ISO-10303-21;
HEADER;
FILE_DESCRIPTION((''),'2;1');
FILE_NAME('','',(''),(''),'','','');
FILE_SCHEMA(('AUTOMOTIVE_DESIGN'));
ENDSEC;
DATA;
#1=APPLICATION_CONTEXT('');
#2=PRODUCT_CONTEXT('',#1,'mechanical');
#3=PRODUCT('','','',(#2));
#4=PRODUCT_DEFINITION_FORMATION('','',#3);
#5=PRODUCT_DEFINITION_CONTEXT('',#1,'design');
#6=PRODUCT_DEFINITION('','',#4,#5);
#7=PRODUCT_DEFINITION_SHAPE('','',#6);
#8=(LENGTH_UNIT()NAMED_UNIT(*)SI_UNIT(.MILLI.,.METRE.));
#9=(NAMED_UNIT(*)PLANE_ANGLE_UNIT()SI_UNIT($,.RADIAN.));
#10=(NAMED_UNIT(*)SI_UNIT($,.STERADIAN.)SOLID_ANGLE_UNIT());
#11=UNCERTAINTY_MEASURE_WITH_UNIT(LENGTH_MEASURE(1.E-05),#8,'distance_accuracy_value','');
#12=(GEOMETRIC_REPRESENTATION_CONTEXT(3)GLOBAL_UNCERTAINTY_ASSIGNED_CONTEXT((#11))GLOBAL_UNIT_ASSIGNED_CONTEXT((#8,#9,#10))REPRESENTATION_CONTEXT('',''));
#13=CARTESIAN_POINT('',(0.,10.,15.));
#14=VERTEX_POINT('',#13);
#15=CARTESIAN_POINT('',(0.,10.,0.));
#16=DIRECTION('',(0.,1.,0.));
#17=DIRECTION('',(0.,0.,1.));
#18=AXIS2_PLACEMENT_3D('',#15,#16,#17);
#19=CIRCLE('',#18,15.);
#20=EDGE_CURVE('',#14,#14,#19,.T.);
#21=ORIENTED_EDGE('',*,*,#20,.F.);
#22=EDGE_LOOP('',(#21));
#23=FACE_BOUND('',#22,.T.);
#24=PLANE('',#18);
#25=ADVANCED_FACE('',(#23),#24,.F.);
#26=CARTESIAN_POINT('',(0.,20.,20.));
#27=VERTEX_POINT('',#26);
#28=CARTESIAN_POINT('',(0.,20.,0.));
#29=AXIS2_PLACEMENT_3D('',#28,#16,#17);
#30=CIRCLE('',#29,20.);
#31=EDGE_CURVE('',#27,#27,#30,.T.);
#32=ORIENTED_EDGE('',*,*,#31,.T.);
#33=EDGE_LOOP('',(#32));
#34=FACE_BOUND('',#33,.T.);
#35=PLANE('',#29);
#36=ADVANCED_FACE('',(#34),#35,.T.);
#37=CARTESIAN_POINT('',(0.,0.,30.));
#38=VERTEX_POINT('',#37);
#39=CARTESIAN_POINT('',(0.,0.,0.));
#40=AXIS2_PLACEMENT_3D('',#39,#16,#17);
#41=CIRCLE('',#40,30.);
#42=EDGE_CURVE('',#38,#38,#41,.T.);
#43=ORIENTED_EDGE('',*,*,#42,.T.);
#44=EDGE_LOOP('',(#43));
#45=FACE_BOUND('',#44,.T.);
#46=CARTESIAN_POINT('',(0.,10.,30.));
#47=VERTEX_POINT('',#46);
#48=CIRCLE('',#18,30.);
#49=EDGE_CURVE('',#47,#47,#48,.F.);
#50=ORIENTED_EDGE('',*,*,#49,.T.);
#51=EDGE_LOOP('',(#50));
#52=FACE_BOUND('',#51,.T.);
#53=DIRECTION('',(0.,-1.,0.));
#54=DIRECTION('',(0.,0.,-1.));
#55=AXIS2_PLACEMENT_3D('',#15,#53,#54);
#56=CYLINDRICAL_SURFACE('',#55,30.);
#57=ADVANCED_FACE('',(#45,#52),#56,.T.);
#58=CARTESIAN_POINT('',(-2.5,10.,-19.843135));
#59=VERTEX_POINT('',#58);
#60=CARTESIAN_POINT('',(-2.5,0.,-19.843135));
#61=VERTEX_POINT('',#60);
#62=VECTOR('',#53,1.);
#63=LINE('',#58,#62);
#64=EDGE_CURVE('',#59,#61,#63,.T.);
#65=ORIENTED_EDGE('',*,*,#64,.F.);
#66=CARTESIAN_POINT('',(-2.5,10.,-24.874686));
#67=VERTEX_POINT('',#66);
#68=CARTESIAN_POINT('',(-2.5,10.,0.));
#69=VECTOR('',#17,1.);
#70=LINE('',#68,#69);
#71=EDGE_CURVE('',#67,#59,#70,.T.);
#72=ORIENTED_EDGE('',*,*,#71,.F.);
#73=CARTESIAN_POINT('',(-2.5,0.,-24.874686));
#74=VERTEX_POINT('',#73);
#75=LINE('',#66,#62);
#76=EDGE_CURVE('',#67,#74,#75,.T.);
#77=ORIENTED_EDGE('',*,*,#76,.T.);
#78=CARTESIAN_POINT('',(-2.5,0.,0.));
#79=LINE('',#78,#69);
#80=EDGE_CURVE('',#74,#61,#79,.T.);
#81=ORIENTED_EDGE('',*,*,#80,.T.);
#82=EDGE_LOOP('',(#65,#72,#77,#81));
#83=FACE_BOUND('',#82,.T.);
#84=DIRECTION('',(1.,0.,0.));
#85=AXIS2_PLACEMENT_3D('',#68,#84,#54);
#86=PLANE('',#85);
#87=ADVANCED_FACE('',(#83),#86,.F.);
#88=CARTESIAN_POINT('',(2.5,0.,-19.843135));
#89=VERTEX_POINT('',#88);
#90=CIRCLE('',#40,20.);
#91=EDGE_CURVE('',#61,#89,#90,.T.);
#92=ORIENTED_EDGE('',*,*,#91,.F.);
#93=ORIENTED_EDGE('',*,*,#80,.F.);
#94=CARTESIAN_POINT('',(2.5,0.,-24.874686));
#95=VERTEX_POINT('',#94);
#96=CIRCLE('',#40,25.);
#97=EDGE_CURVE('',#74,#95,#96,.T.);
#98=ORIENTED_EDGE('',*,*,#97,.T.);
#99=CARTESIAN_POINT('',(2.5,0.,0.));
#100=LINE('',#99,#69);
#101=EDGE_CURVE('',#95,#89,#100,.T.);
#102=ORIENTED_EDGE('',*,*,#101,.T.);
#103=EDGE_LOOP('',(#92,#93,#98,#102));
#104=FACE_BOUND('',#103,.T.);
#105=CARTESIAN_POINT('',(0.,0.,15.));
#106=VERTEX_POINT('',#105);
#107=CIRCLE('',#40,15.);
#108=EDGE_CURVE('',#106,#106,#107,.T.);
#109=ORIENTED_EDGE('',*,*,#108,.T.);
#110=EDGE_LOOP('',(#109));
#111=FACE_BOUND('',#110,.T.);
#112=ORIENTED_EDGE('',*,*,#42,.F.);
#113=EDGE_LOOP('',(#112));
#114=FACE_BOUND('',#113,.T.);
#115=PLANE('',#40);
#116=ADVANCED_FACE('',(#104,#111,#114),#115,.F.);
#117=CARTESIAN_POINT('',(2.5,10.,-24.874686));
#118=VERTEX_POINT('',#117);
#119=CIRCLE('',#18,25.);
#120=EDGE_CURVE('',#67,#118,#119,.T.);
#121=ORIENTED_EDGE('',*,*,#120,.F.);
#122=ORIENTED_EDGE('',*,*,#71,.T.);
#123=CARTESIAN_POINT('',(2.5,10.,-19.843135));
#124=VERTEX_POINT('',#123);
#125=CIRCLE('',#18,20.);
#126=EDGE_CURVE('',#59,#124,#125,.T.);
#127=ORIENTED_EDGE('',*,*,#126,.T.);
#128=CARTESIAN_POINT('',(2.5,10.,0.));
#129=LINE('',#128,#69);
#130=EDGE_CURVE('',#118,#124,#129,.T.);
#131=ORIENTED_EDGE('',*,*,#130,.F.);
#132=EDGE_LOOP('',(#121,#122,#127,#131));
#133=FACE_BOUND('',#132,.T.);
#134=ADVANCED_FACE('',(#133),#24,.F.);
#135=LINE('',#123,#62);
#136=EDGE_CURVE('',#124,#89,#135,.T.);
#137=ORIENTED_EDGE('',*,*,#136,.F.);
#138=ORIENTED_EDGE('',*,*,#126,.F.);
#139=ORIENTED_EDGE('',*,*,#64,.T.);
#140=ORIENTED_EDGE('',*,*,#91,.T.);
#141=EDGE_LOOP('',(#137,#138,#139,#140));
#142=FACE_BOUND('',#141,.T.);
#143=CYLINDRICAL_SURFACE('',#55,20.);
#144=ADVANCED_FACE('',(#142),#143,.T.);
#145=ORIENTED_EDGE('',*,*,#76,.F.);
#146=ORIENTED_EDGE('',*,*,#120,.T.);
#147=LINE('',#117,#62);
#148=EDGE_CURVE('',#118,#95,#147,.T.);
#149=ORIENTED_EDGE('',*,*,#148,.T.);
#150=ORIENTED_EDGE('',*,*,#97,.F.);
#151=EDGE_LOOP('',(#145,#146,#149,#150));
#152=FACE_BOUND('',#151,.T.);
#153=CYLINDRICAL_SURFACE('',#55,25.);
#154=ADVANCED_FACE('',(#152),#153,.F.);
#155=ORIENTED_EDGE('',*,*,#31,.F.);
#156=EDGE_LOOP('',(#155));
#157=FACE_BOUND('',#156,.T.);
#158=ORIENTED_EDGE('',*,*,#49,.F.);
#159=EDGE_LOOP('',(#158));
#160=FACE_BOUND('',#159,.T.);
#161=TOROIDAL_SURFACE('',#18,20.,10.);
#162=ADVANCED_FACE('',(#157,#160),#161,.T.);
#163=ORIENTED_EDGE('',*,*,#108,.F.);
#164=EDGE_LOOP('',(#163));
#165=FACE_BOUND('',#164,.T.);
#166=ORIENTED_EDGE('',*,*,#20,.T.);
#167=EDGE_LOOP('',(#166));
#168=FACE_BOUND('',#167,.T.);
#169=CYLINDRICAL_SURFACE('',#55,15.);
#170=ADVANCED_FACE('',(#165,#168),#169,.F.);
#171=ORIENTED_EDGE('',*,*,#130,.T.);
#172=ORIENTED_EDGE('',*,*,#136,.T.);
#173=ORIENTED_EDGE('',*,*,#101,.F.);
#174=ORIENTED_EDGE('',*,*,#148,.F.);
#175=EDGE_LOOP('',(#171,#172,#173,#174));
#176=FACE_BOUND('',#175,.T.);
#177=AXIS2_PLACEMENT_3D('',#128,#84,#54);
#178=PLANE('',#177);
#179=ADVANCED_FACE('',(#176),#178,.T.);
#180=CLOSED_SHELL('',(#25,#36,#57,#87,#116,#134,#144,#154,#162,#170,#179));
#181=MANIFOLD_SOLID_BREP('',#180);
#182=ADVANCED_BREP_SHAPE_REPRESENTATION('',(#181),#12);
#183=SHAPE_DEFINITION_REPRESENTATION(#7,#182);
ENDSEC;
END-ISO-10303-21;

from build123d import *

# Parameters (mm, degrees)
SKETCH1_R           = 30
SKETCH1_R_2         = 15
BOSS_EXTRUDE1_DEPTH = 10
SKETCH2_R           = 30
BOSS_EXTRUDE2_DEPTH = 10
FILLET1_R           = 10


with BuildPart() as part:
    # Sketch1 → Boss-Extrude1 (new body)
    with BuildSketch(Plane(origin=(0, 0, 0), x_dir=(1, 0, 0), z_dir=(0, 1, 0))):
        Circle(SKETCH1_R)
        with BuildLine():
            ThreePointArc((2.5, 24.874685928), (0, -25), (-2.5, 24.874685928))
            Line((-2.5, 24.874685928), (-2.5, 19.843134833))
            ThreePointArc((-2.5, 19.843134833), (0, -20), (2.5, 19.843134833))
            Line((2.5, 19.843134833), (2.5, 24.874685928))
        make_face(mode=Mode.SUBTRACT)
        Circle(SKETCH1_R_2, mode=Mode.SUBTRACT)
    extrude(amount=BOSS_EXTRUDE1_DEPTH)

    # Sketch2 → Boss-Extrude2 (add)
    with BuildSketch(Plane(origin=(0, 10, 0), x_dir=(1, 0, 0), z_dir=(0, 1, 0))):
        Circle(SKETCH2_R)
    extrude(amount=BOSS_EXTRUDE2_DEPTH)

    # Fillet1
    fillet1_edges = [part.edges().sort_by_distance(p)[0] for p in [
        (-30, 20, 0),
    ]]
    fillet(fillet1_edges, radius=FILLET1_R)


solid = part.part
